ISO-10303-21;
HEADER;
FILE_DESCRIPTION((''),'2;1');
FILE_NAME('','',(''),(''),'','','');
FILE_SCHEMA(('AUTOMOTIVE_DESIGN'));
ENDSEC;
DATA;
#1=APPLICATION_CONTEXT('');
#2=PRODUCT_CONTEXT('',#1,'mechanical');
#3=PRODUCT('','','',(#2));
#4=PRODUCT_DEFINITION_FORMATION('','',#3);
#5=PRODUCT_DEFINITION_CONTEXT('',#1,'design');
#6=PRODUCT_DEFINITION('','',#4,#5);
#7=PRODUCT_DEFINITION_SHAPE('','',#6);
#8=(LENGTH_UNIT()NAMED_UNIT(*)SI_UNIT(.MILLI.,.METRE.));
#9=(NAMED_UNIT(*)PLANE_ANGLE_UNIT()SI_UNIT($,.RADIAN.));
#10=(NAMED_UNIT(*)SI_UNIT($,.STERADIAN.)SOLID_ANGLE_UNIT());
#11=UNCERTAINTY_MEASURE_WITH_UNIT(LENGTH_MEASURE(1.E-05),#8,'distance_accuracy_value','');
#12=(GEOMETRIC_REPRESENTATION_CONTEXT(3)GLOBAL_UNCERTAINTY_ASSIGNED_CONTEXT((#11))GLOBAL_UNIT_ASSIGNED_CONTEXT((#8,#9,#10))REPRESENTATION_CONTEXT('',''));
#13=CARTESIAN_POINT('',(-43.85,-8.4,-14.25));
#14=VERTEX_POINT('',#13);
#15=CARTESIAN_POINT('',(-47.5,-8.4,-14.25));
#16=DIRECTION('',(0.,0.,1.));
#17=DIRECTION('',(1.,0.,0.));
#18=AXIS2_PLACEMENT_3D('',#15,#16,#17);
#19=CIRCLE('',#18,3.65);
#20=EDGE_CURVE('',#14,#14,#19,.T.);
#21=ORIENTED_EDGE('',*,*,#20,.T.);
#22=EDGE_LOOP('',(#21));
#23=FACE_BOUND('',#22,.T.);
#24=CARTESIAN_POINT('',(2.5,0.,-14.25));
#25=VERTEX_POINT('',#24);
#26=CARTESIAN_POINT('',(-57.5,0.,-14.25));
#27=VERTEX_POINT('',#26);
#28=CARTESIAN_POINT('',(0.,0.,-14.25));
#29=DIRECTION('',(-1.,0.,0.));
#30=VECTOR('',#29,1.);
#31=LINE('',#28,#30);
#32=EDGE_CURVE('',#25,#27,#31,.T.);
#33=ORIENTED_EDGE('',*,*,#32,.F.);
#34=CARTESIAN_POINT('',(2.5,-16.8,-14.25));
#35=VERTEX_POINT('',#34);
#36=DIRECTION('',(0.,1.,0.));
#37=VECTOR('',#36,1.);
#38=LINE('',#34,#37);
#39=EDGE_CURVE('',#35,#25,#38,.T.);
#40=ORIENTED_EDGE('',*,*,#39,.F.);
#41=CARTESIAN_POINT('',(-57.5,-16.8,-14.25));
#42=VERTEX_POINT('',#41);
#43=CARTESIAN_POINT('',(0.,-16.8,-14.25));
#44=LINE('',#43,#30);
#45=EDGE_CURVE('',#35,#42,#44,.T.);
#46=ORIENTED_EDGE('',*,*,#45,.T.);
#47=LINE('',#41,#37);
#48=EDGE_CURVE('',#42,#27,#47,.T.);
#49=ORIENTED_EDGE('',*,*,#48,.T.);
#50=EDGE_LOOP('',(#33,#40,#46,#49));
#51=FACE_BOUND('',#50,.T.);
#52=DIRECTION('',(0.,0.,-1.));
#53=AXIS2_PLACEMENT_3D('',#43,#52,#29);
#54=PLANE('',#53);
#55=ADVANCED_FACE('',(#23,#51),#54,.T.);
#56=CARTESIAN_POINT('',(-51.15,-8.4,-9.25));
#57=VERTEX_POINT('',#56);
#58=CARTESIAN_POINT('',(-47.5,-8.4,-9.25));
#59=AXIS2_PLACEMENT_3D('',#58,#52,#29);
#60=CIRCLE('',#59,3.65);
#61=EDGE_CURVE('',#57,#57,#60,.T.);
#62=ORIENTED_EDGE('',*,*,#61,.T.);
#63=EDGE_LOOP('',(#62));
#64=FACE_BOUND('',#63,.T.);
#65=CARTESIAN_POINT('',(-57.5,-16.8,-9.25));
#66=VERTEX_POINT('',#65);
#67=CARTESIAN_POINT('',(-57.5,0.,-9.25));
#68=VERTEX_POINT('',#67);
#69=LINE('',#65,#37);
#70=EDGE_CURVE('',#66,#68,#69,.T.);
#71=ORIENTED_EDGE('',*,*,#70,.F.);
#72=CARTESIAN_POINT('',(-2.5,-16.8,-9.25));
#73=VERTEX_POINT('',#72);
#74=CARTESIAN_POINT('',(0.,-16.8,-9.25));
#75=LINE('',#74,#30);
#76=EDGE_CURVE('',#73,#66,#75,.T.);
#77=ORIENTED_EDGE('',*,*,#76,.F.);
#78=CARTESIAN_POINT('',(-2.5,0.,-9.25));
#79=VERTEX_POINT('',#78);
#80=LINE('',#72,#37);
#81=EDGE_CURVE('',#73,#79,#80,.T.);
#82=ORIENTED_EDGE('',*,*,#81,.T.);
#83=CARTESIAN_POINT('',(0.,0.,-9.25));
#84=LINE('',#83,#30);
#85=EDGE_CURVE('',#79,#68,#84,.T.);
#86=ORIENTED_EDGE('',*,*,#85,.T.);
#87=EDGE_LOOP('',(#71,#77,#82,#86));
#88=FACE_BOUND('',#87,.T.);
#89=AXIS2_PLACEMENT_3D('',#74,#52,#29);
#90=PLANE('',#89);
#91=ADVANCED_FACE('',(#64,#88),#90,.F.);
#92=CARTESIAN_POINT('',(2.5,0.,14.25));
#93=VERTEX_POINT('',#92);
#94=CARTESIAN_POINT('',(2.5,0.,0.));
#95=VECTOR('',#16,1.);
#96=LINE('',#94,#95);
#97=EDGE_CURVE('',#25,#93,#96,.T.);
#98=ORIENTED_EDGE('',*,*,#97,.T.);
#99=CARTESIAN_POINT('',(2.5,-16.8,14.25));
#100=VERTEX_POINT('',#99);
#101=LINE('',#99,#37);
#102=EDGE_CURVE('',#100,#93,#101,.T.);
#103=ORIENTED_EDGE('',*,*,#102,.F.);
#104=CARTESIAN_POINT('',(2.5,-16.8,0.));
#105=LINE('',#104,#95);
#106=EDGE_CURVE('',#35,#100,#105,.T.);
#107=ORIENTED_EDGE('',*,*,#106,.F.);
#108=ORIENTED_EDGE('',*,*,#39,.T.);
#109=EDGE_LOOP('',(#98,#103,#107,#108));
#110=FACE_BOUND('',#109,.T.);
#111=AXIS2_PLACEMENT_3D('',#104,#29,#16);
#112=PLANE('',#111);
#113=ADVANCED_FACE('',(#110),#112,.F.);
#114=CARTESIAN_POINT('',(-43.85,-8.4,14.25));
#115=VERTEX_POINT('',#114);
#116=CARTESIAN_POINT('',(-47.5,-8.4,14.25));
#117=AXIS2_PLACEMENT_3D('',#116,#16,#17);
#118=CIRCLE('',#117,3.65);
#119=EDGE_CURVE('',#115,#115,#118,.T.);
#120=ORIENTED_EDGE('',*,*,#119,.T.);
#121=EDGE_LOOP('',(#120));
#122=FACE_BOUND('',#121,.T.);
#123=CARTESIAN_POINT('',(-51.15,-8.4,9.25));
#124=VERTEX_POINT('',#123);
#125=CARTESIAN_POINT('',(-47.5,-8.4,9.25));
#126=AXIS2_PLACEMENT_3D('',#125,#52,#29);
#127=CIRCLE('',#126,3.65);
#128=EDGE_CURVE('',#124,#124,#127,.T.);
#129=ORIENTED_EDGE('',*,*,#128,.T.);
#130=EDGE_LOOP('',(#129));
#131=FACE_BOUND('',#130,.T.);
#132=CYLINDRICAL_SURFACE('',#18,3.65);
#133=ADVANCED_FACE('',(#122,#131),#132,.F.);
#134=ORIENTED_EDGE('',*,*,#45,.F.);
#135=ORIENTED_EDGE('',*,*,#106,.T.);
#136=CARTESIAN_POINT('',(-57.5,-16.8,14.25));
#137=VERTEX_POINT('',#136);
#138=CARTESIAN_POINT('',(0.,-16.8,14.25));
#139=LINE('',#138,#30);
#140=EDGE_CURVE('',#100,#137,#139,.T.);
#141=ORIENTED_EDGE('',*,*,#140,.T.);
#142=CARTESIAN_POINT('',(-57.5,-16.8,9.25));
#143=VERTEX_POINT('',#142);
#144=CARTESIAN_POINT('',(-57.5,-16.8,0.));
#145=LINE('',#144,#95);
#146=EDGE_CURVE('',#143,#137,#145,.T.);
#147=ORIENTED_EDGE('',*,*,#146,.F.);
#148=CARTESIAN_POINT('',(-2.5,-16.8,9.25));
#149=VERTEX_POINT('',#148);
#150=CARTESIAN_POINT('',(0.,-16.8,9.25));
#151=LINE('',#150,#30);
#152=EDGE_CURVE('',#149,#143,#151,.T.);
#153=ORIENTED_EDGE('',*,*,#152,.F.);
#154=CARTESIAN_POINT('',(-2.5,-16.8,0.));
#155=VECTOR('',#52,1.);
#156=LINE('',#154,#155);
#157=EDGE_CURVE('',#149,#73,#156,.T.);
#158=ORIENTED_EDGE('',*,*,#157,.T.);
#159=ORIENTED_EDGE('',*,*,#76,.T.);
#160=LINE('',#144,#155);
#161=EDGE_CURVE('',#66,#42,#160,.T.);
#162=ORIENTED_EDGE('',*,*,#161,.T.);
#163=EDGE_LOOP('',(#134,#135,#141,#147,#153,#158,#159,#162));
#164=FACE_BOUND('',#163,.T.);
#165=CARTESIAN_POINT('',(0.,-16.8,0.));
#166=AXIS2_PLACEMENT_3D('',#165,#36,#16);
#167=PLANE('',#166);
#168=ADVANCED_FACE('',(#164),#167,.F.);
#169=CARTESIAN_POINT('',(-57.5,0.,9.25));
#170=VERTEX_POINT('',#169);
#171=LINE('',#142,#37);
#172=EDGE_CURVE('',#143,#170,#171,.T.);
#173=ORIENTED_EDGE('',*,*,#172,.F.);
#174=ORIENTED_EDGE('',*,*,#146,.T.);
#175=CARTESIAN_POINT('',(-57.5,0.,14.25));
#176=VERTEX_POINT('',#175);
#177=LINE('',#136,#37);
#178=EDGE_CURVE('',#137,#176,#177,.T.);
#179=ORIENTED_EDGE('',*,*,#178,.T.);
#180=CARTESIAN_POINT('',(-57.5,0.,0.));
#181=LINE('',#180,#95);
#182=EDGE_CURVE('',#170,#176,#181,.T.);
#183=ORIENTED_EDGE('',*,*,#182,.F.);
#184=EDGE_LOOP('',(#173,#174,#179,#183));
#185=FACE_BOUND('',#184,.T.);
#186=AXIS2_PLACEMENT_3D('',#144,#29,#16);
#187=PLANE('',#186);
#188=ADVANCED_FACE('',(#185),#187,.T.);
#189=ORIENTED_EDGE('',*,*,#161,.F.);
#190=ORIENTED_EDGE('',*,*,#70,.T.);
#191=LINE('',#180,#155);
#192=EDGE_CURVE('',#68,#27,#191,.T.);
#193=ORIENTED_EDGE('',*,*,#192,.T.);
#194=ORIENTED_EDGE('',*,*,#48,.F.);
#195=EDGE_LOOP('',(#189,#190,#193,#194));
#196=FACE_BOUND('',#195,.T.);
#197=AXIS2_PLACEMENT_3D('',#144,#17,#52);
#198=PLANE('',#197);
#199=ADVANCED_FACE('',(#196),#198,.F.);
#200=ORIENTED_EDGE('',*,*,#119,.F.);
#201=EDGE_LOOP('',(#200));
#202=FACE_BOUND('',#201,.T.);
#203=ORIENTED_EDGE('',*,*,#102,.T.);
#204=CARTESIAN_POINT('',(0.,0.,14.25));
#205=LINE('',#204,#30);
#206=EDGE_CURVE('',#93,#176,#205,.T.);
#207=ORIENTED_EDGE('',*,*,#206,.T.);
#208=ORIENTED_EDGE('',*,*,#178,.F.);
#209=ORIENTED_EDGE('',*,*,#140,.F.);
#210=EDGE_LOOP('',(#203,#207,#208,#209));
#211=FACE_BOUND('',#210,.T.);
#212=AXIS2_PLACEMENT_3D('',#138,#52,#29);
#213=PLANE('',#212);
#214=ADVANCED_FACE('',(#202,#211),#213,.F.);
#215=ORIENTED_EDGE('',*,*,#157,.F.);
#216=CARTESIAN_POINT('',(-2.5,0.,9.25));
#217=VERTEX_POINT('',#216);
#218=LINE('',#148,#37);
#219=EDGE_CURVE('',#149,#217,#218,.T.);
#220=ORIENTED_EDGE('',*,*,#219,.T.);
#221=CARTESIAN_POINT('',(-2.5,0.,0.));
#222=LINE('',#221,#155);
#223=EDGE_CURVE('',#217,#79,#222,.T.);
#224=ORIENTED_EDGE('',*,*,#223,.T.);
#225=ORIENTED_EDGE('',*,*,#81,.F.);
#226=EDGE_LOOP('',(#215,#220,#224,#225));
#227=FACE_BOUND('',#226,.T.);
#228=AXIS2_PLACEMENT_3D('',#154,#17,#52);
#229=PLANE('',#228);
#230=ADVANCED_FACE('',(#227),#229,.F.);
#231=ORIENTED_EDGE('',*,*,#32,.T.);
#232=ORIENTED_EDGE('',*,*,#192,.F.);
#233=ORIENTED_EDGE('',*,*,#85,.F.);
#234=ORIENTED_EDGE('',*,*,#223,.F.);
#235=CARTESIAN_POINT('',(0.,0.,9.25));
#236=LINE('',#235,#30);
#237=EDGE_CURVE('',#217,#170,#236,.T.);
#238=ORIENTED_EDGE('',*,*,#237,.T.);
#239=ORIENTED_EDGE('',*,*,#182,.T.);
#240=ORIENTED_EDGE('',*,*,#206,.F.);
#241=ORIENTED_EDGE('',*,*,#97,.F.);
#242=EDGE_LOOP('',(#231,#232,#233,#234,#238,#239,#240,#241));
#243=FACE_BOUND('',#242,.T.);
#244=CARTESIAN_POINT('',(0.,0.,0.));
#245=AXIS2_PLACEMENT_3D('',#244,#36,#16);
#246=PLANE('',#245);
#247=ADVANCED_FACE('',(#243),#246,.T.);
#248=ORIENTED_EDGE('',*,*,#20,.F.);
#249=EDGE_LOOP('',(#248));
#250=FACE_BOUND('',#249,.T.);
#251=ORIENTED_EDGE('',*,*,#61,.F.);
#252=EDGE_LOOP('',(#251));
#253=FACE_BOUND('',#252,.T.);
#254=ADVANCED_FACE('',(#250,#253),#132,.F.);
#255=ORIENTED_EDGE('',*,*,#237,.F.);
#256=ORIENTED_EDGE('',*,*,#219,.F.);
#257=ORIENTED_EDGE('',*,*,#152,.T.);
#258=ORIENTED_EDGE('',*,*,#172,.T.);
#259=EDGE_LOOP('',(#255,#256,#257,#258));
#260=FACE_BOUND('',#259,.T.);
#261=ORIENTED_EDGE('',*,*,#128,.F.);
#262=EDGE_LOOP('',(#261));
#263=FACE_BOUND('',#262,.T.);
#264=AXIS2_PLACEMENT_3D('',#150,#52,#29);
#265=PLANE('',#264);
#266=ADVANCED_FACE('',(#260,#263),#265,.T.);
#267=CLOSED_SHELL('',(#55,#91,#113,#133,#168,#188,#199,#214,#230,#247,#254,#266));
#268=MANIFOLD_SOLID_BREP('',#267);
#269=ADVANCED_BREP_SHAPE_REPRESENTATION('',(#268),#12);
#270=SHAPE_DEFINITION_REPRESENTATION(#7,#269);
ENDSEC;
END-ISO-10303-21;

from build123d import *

# Parameters (mm, degrees)
BOSS_EXTRUDE2_DEPTH = 16.8
SKETCH5_R           = 3.65
CUT_EXTRUDE3_DEPTH  = 28.5


with BuildPart() as part:
    # Sketch1 → Boss-Extrude2 (new body)
    with BuildSketch(Plane(origin=(0, 0, 0), x_dir=(1, 0, 0), z_dir=(0, 1, 0))):
        Polygon((2.5, -9.25), (-2.5, -9.25), (-57.5, -9.25), (-57.5, -14.25), (2.5, -14.25), align=None)
        Polygon((2.5, 9.25), (-2.5, 9.25), (-2.5, 4.25), (-2.5, -9.25), (2.5, -9.25), align=None)
        Polygon((-57.5, 9.25), (-2.5, 9.25), (2.5, 9.25), (2.5, 14.25), (-57.5, 14.25), align=None)
    extrude(amount=-BOSS_EXTRUDE2_DEPTH)

    # Sketch5 → Cut-Extrude3 (cut)
    with BuildSketch(Plane.XY.offset(14.25)):
        with Locations((-47.5, -8.4)):
            Circle(SKETCH5_R)
    extrude(amount=-CUT_EXTRUDE3_DEPTH, mode=Mode.SUBTRACT)


solid = part.part
